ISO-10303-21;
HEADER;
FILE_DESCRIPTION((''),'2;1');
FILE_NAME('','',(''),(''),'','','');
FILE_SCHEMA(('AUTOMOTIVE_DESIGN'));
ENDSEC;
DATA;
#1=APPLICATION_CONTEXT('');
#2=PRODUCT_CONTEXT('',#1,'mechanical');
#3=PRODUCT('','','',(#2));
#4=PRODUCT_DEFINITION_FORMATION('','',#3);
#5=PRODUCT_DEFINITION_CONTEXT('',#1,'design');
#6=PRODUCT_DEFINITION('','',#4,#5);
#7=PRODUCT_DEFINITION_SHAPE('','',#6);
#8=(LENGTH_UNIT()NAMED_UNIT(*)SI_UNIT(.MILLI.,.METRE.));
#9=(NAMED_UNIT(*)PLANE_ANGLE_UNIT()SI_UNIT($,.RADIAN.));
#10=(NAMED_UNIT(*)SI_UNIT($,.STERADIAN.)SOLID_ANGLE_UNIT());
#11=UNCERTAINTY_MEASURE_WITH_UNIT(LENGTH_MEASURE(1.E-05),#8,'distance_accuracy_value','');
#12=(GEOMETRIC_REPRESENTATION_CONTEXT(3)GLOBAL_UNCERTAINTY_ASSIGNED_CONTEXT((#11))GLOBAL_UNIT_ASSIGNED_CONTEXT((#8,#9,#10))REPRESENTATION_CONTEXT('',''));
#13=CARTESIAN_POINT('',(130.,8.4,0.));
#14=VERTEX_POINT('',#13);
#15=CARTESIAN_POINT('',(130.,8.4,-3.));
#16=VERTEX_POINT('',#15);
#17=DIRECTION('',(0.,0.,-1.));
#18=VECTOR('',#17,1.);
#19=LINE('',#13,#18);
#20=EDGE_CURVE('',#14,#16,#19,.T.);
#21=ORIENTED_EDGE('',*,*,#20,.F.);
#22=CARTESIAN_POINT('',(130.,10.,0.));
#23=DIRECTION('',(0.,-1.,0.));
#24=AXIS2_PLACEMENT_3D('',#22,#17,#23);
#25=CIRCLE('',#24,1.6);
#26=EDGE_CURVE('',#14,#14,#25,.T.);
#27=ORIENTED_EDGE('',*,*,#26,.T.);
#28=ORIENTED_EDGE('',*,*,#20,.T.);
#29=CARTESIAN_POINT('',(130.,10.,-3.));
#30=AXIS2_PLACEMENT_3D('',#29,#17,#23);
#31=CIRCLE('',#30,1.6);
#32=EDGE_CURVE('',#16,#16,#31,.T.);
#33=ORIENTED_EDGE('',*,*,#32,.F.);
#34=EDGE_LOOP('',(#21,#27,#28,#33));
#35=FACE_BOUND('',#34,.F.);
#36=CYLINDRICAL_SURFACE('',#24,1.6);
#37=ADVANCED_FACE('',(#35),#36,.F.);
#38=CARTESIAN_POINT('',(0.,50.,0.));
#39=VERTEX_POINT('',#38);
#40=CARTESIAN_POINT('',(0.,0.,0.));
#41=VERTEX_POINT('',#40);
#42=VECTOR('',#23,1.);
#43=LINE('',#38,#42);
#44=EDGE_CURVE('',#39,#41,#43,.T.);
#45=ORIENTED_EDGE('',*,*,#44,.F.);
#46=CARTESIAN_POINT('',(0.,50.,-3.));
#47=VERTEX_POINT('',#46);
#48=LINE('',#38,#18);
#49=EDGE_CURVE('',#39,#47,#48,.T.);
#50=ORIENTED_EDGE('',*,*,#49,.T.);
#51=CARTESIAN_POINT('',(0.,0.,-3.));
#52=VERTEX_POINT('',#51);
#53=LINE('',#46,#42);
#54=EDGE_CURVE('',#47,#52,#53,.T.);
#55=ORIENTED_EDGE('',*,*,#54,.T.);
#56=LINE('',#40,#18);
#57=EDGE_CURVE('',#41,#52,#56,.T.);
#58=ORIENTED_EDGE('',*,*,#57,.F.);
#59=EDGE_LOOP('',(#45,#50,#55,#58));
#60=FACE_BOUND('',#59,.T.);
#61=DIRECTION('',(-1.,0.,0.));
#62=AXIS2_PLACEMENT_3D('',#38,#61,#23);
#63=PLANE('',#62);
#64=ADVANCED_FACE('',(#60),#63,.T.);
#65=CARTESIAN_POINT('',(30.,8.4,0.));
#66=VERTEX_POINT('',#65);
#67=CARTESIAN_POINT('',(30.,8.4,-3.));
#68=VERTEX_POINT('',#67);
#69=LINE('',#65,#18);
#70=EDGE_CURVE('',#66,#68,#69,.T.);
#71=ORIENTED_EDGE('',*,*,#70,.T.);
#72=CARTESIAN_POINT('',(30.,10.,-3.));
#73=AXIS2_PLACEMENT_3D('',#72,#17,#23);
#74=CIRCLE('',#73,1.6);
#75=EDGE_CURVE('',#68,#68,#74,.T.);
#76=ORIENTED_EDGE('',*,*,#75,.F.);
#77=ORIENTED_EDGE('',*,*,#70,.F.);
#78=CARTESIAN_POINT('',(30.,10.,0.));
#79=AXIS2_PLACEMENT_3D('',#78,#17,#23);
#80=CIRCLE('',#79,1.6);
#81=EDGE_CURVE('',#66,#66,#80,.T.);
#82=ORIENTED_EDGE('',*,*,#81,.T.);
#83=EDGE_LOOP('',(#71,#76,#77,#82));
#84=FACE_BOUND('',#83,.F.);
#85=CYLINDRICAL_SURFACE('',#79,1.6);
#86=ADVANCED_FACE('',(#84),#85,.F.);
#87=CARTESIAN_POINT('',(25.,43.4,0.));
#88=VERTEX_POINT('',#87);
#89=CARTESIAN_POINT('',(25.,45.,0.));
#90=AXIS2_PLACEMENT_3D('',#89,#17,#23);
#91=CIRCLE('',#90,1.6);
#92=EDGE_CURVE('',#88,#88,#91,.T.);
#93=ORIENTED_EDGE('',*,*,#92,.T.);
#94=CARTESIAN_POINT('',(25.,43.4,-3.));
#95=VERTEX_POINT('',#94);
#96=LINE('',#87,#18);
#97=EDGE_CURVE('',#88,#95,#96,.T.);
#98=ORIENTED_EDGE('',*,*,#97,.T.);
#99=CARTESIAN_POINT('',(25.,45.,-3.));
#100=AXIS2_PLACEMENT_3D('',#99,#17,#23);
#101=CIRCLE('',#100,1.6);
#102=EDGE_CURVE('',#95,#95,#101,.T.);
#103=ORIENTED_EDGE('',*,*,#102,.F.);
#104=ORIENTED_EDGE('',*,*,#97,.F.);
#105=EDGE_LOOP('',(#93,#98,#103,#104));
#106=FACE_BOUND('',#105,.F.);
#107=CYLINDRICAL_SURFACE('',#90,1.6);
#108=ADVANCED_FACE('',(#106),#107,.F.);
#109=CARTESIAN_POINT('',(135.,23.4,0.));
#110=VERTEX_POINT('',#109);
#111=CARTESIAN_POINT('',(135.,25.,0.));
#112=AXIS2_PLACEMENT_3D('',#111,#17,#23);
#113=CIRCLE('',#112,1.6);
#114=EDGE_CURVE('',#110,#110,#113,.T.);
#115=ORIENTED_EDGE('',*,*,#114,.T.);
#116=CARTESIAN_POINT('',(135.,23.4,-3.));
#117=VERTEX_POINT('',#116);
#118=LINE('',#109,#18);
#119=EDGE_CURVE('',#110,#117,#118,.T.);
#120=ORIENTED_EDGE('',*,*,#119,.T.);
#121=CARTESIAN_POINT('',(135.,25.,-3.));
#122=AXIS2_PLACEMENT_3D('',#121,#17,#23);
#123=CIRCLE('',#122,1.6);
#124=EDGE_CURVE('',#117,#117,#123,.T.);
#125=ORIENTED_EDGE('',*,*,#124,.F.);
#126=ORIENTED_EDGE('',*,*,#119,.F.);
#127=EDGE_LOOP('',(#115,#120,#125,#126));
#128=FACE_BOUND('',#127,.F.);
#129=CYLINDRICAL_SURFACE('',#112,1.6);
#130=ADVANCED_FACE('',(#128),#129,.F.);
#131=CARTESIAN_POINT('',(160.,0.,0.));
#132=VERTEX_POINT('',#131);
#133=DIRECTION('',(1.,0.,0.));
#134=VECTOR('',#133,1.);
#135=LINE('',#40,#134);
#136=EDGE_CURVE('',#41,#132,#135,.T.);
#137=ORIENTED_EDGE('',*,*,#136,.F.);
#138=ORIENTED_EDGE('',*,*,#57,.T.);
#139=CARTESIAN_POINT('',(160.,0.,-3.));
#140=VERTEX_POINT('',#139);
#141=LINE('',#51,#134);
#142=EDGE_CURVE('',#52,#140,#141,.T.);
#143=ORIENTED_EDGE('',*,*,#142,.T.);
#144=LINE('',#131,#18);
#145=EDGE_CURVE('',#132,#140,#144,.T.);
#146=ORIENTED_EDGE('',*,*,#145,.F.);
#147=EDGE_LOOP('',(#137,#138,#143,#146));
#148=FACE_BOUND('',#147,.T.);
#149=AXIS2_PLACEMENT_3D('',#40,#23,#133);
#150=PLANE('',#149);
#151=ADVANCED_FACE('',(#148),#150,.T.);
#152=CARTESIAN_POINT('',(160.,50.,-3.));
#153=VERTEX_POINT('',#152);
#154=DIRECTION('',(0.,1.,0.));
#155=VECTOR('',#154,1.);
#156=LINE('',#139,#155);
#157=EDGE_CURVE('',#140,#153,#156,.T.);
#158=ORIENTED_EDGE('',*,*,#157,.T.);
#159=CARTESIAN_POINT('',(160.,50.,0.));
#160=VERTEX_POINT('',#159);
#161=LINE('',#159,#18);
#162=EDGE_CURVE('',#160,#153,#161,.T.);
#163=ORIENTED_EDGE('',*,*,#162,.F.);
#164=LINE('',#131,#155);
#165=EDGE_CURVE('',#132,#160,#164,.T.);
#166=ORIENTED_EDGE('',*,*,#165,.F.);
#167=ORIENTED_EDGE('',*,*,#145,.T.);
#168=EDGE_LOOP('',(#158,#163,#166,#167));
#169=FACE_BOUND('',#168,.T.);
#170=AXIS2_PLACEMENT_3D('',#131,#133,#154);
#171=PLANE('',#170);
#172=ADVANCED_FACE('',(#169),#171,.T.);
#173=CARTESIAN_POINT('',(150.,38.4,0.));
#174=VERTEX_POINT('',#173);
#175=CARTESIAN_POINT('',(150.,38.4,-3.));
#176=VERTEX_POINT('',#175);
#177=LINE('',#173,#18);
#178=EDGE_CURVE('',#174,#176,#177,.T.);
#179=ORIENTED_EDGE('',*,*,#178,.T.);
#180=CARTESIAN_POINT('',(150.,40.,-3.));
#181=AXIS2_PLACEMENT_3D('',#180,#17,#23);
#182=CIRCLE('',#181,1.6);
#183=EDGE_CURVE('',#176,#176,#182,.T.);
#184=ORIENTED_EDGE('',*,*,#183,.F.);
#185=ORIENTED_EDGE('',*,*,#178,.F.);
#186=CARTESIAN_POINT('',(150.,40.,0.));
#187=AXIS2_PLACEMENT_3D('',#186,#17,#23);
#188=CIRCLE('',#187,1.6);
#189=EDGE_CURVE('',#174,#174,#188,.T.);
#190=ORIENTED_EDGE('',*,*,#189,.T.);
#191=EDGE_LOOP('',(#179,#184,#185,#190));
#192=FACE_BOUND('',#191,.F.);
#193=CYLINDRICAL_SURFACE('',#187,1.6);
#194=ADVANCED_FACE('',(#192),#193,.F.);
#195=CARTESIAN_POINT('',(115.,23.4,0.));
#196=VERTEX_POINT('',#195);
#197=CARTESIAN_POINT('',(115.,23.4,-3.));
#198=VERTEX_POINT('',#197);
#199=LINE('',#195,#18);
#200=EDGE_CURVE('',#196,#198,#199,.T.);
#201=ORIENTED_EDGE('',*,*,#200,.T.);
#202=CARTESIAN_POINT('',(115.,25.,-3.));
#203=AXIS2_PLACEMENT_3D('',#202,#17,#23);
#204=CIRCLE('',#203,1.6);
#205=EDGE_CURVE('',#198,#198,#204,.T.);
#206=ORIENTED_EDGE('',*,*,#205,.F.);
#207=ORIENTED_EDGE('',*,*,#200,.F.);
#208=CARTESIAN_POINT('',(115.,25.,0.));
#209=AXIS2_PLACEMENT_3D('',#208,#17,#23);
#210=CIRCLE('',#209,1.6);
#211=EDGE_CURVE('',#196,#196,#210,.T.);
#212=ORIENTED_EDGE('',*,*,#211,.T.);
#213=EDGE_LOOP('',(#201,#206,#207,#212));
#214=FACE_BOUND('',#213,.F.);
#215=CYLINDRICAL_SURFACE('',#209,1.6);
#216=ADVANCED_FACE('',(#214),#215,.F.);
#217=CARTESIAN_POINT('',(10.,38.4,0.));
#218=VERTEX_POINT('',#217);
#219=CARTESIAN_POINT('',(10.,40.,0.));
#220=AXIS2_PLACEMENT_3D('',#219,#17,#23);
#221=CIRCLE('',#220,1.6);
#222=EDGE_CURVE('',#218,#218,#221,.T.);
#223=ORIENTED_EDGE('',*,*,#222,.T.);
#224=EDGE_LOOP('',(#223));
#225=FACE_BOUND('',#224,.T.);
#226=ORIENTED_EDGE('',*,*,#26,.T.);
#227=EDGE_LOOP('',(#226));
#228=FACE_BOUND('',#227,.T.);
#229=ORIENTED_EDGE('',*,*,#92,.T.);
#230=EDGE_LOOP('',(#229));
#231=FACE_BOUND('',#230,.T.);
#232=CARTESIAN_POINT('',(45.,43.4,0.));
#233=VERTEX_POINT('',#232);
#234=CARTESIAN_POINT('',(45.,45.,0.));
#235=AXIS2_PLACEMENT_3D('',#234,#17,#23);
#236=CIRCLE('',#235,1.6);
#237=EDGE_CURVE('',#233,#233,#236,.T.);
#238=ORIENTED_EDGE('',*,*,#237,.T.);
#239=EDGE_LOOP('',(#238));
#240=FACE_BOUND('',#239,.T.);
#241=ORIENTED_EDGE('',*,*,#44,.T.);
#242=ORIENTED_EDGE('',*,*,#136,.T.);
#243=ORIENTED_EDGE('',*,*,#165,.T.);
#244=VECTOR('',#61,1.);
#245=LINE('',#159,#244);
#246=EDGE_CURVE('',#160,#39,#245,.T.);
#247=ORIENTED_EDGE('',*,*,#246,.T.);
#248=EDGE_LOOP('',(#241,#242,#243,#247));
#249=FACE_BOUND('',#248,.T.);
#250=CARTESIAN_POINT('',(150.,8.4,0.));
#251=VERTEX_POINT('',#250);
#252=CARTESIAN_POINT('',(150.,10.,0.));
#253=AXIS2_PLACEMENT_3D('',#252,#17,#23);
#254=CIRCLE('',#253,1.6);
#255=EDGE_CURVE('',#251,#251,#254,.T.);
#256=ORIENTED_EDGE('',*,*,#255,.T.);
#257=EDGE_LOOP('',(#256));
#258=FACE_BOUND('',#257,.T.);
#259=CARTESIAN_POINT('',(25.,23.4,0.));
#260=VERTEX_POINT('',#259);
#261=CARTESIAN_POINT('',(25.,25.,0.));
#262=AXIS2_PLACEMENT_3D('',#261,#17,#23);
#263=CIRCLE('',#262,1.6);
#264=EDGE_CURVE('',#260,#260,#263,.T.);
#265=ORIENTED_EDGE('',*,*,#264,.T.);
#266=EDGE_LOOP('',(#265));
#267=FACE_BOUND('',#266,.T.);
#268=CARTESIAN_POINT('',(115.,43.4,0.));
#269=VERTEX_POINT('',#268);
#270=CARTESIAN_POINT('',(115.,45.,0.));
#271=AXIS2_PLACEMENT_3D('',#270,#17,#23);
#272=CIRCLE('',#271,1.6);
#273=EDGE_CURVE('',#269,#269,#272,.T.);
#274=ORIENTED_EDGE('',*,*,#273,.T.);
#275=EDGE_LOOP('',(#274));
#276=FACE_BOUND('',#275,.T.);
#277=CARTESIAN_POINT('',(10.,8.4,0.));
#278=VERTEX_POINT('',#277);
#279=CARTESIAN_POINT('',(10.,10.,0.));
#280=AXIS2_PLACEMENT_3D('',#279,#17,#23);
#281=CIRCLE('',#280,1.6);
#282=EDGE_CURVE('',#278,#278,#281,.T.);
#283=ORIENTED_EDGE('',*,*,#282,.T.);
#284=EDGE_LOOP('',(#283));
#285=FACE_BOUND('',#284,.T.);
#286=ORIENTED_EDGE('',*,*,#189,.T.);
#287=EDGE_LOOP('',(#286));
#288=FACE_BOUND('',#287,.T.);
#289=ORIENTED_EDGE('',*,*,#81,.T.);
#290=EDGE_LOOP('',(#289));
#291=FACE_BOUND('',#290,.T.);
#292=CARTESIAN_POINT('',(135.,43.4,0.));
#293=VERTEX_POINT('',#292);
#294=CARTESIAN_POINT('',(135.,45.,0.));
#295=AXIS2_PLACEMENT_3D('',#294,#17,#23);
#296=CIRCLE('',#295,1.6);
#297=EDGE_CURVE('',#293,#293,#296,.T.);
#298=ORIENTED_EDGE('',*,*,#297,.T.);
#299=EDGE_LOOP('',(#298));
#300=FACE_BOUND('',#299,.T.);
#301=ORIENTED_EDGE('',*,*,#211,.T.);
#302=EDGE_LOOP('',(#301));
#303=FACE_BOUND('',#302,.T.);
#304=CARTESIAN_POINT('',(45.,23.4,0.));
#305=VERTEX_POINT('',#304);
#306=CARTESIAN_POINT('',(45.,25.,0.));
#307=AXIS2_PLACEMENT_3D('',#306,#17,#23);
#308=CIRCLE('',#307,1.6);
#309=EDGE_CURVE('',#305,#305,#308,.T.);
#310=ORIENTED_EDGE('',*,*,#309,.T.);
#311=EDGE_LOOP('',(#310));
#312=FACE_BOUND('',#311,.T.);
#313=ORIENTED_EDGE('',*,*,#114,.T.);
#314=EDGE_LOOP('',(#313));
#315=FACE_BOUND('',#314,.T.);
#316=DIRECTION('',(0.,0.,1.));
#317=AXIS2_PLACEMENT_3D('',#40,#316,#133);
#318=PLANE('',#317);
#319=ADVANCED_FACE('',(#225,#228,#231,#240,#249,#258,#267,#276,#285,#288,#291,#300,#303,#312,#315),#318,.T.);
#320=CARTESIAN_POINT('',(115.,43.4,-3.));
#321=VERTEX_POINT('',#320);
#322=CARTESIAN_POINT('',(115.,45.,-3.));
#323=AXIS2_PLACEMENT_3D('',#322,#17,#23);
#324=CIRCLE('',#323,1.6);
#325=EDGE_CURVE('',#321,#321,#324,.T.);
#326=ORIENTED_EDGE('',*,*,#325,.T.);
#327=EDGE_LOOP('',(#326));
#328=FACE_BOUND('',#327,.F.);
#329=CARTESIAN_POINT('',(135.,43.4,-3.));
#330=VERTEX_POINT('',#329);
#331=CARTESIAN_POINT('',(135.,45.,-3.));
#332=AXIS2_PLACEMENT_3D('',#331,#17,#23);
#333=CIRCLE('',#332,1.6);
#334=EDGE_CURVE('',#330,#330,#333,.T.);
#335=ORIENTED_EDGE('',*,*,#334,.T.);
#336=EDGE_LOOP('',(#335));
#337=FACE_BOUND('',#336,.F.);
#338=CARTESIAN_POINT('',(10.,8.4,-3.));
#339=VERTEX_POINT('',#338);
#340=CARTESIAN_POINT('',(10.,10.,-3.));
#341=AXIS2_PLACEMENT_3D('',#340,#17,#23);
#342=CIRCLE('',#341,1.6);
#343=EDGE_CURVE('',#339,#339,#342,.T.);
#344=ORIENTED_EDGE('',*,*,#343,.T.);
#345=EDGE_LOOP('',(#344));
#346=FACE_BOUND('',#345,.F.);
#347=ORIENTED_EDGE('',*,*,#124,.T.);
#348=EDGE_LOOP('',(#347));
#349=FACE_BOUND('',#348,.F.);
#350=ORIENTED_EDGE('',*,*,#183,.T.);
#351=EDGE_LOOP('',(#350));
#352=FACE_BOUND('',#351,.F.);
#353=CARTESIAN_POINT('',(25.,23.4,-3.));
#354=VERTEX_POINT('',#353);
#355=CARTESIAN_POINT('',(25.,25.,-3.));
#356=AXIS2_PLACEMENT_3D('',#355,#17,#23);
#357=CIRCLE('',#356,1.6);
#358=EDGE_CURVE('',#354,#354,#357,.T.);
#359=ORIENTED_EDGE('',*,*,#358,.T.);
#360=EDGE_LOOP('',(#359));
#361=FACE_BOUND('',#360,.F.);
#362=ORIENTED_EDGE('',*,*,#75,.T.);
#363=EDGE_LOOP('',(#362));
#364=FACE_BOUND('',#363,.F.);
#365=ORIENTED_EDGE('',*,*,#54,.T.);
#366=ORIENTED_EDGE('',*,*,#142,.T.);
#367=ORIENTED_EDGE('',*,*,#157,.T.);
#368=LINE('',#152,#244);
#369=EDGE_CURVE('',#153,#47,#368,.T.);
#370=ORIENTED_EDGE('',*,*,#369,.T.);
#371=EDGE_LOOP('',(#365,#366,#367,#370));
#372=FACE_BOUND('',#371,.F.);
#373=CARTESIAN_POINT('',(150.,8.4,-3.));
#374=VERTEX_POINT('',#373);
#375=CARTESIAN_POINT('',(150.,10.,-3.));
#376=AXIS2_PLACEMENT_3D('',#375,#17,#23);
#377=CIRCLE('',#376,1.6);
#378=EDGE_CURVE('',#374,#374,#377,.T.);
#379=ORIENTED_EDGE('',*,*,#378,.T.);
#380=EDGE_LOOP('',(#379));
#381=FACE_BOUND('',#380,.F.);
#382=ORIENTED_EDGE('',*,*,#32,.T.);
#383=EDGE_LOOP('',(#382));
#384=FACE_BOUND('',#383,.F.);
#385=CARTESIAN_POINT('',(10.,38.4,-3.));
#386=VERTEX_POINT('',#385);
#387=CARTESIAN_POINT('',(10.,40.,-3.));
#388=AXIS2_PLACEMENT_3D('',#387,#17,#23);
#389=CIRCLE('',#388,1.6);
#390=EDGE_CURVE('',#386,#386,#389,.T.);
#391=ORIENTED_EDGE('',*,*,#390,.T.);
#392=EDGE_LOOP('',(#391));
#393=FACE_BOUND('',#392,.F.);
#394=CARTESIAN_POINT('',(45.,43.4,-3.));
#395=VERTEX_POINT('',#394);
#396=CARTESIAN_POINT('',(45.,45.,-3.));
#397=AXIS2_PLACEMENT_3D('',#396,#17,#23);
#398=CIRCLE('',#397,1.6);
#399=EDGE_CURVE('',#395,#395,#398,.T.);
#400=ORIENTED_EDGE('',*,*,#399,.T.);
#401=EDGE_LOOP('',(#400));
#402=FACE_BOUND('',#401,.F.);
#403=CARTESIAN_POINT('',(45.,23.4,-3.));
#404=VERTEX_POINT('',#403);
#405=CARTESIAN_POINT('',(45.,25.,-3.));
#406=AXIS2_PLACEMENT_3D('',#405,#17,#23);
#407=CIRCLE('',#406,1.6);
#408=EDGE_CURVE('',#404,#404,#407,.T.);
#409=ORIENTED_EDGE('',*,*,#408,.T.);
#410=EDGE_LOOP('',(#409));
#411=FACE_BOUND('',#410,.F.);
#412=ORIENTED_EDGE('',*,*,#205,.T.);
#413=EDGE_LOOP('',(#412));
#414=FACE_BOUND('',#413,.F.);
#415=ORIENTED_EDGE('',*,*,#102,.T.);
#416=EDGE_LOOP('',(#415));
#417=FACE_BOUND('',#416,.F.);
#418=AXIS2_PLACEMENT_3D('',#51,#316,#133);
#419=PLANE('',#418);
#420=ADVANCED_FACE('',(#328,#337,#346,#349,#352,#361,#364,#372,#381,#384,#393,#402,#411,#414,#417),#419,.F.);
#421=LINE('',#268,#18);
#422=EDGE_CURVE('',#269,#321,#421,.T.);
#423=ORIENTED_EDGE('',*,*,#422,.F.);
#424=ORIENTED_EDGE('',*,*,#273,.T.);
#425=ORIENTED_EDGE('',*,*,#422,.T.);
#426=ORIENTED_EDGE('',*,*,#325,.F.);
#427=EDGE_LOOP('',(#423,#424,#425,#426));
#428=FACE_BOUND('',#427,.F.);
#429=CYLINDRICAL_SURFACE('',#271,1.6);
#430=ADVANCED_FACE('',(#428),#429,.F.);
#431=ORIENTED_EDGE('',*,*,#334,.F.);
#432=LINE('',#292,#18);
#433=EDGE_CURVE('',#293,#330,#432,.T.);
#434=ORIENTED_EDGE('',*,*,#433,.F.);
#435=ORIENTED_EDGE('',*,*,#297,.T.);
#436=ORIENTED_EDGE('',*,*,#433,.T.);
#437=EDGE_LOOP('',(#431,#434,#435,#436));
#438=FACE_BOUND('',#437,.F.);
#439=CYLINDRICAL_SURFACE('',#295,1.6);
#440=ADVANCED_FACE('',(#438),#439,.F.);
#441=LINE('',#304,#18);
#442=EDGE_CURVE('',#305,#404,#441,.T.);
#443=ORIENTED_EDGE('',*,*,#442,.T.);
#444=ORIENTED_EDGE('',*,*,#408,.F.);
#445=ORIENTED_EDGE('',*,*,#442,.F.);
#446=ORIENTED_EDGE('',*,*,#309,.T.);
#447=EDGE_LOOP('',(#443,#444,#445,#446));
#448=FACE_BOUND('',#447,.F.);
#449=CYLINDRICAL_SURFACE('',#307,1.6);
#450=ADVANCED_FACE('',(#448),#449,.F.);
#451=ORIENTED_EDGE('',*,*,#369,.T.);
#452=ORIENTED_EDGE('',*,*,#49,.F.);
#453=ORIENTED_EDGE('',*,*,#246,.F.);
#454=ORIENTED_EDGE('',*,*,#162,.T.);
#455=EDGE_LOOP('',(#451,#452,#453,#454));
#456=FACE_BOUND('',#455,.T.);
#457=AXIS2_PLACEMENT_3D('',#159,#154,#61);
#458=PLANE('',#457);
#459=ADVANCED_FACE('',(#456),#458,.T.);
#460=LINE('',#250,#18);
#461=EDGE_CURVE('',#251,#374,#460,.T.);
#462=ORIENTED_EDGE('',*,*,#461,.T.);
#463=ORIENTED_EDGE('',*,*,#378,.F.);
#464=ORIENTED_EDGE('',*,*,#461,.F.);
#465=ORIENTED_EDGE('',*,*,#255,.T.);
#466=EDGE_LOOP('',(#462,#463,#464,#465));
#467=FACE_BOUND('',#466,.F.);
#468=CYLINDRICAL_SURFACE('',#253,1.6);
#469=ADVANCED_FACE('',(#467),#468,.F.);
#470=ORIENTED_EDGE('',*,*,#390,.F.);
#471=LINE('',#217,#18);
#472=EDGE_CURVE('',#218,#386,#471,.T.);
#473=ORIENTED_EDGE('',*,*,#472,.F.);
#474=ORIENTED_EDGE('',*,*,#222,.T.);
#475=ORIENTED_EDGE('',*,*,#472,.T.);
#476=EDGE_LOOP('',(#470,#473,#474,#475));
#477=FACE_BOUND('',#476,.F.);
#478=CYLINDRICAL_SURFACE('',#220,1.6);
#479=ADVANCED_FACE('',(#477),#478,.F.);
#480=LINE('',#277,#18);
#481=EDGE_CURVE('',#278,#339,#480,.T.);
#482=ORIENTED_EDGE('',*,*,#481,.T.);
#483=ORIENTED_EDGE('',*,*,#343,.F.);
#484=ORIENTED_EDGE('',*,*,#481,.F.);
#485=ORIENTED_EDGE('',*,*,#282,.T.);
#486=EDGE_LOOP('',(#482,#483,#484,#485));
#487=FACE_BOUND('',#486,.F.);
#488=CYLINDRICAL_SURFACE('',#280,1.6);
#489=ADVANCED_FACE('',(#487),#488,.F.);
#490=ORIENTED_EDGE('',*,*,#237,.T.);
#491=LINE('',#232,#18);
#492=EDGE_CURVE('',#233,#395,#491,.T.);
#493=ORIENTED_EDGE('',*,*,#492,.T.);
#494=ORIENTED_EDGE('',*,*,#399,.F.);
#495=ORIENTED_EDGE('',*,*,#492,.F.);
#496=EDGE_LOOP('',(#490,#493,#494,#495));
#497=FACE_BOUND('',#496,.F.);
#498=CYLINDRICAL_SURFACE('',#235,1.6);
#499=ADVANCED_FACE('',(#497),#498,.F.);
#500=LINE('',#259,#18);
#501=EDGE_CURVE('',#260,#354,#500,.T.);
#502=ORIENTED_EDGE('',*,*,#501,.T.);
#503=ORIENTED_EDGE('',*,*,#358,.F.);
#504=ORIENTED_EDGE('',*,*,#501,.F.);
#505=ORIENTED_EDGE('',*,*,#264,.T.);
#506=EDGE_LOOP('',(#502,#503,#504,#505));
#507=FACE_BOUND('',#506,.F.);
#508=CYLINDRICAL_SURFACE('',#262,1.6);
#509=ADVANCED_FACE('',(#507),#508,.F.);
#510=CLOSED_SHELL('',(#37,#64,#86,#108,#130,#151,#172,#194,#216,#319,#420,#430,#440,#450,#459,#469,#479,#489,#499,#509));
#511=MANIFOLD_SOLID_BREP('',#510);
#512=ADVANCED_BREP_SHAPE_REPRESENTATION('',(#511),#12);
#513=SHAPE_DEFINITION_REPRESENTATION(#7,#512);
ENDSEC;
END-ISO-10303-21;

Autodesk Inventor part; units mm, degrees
ref_plane "YZ Plane" through (0, 0, 0) normal (1, 0, 0) x (0, 1, 0)
ref_plane "XZ Plane" through (0, 0, 0) normal (0, 1, 0) x (-1, 0, 0)
ref_plane "XY Plane" through (0, 0, 0) normal (0, 0, 1) x (1, 0, 0)
sketch "スケッチ1" plane through (0, 0, 0) normal (0, 0, 1) x (1, 0, 0)
  line L0 (0, 0) -> (160, 0)
  line L1 (160, 0) -> (160, 50)
  line L2 (160, 50) -> (0, 50)
  line L3 (0, 50) -> (0, 0)
  dimension "d0" = 160
  dimension "d1" = 50
extrude "押し出し1" add sketch "スケッチ1" against normal blind 3
sketch "スケッチ2" plane through (0, 0, 0) normal (0, 0, 1) x (1, 0, 0)
  line L0 (160, 50) -> (0, 50) projected
  line L1 (160, 0) -> (160, 50) projected
  line L2 (0, 50) -> (0, 0) projected
  line L3 (0, 0) -> (160, 0) projected
  point P0 (135, 45)
  point P1 (135, 25)
  point P2 (25, 45)
  point P3 (25, 25)
  point P4 (115, 45)
  point P5 (115, 25)
  point P6 (45, 45)
  point P7 (45, 25)
  point P8 (150, 40)
  point P9 (150, 10)
  point P10 (10, 40)
  point P11 (10, 10)
  dimension "d4" = 5
  dimension "d5" = 25
  dimension "d6" = 20
  dimension "d7" = 5
  dimension "d8" = 25
  dimension "d9" = 20
  dimension "d10" = 20
  dimension "d11" = 20
  dimension "d12" = 10
  dimension "d13" = 10
  dimension "d14" = 10
  dimension "d15" = 10
  dimension "d16" = 20
  dimension "d17" = 5
  dimension "d18" = 5
  dimension "d19" = 20
hole "穴1" at (135, 45, 0) at (135, 25, 0) at (25, 45, 0) at (25, 25, 0) at (115, 45, 0) at (115, 25, 0) at (45, 45, 0) at (45, 25, 0) at (150, 40, 0) at (150, 10, 0) at (10, 40, 0) at (10, 10, 0) direction (0, 0, -1) diameter 3.2 end through all
sketch "スケッチ3" plane through (0, 0, 0) normal (0, 0, 1) x (1, 0, 0)
  line L0 (0, 0) -> (160, 0) projected
  line L1 (0, 50) -> (0, 0) projected
  line L2 (160, 0) -> (160, 50) projected
  point P0 (30, 10)
  point P1 (130, 10)
  dimension "d27" = 10
  dimension "d28" = 30
  dimension "d29" = 10
  dimension "d30" = 30
hole "穴2" at (30, 10, 0) at (130, 10, 0) direction (0, 0, -1) diameter 3.2 end through all
properties part number "frontPlate" material "アルミニウム 6061"
